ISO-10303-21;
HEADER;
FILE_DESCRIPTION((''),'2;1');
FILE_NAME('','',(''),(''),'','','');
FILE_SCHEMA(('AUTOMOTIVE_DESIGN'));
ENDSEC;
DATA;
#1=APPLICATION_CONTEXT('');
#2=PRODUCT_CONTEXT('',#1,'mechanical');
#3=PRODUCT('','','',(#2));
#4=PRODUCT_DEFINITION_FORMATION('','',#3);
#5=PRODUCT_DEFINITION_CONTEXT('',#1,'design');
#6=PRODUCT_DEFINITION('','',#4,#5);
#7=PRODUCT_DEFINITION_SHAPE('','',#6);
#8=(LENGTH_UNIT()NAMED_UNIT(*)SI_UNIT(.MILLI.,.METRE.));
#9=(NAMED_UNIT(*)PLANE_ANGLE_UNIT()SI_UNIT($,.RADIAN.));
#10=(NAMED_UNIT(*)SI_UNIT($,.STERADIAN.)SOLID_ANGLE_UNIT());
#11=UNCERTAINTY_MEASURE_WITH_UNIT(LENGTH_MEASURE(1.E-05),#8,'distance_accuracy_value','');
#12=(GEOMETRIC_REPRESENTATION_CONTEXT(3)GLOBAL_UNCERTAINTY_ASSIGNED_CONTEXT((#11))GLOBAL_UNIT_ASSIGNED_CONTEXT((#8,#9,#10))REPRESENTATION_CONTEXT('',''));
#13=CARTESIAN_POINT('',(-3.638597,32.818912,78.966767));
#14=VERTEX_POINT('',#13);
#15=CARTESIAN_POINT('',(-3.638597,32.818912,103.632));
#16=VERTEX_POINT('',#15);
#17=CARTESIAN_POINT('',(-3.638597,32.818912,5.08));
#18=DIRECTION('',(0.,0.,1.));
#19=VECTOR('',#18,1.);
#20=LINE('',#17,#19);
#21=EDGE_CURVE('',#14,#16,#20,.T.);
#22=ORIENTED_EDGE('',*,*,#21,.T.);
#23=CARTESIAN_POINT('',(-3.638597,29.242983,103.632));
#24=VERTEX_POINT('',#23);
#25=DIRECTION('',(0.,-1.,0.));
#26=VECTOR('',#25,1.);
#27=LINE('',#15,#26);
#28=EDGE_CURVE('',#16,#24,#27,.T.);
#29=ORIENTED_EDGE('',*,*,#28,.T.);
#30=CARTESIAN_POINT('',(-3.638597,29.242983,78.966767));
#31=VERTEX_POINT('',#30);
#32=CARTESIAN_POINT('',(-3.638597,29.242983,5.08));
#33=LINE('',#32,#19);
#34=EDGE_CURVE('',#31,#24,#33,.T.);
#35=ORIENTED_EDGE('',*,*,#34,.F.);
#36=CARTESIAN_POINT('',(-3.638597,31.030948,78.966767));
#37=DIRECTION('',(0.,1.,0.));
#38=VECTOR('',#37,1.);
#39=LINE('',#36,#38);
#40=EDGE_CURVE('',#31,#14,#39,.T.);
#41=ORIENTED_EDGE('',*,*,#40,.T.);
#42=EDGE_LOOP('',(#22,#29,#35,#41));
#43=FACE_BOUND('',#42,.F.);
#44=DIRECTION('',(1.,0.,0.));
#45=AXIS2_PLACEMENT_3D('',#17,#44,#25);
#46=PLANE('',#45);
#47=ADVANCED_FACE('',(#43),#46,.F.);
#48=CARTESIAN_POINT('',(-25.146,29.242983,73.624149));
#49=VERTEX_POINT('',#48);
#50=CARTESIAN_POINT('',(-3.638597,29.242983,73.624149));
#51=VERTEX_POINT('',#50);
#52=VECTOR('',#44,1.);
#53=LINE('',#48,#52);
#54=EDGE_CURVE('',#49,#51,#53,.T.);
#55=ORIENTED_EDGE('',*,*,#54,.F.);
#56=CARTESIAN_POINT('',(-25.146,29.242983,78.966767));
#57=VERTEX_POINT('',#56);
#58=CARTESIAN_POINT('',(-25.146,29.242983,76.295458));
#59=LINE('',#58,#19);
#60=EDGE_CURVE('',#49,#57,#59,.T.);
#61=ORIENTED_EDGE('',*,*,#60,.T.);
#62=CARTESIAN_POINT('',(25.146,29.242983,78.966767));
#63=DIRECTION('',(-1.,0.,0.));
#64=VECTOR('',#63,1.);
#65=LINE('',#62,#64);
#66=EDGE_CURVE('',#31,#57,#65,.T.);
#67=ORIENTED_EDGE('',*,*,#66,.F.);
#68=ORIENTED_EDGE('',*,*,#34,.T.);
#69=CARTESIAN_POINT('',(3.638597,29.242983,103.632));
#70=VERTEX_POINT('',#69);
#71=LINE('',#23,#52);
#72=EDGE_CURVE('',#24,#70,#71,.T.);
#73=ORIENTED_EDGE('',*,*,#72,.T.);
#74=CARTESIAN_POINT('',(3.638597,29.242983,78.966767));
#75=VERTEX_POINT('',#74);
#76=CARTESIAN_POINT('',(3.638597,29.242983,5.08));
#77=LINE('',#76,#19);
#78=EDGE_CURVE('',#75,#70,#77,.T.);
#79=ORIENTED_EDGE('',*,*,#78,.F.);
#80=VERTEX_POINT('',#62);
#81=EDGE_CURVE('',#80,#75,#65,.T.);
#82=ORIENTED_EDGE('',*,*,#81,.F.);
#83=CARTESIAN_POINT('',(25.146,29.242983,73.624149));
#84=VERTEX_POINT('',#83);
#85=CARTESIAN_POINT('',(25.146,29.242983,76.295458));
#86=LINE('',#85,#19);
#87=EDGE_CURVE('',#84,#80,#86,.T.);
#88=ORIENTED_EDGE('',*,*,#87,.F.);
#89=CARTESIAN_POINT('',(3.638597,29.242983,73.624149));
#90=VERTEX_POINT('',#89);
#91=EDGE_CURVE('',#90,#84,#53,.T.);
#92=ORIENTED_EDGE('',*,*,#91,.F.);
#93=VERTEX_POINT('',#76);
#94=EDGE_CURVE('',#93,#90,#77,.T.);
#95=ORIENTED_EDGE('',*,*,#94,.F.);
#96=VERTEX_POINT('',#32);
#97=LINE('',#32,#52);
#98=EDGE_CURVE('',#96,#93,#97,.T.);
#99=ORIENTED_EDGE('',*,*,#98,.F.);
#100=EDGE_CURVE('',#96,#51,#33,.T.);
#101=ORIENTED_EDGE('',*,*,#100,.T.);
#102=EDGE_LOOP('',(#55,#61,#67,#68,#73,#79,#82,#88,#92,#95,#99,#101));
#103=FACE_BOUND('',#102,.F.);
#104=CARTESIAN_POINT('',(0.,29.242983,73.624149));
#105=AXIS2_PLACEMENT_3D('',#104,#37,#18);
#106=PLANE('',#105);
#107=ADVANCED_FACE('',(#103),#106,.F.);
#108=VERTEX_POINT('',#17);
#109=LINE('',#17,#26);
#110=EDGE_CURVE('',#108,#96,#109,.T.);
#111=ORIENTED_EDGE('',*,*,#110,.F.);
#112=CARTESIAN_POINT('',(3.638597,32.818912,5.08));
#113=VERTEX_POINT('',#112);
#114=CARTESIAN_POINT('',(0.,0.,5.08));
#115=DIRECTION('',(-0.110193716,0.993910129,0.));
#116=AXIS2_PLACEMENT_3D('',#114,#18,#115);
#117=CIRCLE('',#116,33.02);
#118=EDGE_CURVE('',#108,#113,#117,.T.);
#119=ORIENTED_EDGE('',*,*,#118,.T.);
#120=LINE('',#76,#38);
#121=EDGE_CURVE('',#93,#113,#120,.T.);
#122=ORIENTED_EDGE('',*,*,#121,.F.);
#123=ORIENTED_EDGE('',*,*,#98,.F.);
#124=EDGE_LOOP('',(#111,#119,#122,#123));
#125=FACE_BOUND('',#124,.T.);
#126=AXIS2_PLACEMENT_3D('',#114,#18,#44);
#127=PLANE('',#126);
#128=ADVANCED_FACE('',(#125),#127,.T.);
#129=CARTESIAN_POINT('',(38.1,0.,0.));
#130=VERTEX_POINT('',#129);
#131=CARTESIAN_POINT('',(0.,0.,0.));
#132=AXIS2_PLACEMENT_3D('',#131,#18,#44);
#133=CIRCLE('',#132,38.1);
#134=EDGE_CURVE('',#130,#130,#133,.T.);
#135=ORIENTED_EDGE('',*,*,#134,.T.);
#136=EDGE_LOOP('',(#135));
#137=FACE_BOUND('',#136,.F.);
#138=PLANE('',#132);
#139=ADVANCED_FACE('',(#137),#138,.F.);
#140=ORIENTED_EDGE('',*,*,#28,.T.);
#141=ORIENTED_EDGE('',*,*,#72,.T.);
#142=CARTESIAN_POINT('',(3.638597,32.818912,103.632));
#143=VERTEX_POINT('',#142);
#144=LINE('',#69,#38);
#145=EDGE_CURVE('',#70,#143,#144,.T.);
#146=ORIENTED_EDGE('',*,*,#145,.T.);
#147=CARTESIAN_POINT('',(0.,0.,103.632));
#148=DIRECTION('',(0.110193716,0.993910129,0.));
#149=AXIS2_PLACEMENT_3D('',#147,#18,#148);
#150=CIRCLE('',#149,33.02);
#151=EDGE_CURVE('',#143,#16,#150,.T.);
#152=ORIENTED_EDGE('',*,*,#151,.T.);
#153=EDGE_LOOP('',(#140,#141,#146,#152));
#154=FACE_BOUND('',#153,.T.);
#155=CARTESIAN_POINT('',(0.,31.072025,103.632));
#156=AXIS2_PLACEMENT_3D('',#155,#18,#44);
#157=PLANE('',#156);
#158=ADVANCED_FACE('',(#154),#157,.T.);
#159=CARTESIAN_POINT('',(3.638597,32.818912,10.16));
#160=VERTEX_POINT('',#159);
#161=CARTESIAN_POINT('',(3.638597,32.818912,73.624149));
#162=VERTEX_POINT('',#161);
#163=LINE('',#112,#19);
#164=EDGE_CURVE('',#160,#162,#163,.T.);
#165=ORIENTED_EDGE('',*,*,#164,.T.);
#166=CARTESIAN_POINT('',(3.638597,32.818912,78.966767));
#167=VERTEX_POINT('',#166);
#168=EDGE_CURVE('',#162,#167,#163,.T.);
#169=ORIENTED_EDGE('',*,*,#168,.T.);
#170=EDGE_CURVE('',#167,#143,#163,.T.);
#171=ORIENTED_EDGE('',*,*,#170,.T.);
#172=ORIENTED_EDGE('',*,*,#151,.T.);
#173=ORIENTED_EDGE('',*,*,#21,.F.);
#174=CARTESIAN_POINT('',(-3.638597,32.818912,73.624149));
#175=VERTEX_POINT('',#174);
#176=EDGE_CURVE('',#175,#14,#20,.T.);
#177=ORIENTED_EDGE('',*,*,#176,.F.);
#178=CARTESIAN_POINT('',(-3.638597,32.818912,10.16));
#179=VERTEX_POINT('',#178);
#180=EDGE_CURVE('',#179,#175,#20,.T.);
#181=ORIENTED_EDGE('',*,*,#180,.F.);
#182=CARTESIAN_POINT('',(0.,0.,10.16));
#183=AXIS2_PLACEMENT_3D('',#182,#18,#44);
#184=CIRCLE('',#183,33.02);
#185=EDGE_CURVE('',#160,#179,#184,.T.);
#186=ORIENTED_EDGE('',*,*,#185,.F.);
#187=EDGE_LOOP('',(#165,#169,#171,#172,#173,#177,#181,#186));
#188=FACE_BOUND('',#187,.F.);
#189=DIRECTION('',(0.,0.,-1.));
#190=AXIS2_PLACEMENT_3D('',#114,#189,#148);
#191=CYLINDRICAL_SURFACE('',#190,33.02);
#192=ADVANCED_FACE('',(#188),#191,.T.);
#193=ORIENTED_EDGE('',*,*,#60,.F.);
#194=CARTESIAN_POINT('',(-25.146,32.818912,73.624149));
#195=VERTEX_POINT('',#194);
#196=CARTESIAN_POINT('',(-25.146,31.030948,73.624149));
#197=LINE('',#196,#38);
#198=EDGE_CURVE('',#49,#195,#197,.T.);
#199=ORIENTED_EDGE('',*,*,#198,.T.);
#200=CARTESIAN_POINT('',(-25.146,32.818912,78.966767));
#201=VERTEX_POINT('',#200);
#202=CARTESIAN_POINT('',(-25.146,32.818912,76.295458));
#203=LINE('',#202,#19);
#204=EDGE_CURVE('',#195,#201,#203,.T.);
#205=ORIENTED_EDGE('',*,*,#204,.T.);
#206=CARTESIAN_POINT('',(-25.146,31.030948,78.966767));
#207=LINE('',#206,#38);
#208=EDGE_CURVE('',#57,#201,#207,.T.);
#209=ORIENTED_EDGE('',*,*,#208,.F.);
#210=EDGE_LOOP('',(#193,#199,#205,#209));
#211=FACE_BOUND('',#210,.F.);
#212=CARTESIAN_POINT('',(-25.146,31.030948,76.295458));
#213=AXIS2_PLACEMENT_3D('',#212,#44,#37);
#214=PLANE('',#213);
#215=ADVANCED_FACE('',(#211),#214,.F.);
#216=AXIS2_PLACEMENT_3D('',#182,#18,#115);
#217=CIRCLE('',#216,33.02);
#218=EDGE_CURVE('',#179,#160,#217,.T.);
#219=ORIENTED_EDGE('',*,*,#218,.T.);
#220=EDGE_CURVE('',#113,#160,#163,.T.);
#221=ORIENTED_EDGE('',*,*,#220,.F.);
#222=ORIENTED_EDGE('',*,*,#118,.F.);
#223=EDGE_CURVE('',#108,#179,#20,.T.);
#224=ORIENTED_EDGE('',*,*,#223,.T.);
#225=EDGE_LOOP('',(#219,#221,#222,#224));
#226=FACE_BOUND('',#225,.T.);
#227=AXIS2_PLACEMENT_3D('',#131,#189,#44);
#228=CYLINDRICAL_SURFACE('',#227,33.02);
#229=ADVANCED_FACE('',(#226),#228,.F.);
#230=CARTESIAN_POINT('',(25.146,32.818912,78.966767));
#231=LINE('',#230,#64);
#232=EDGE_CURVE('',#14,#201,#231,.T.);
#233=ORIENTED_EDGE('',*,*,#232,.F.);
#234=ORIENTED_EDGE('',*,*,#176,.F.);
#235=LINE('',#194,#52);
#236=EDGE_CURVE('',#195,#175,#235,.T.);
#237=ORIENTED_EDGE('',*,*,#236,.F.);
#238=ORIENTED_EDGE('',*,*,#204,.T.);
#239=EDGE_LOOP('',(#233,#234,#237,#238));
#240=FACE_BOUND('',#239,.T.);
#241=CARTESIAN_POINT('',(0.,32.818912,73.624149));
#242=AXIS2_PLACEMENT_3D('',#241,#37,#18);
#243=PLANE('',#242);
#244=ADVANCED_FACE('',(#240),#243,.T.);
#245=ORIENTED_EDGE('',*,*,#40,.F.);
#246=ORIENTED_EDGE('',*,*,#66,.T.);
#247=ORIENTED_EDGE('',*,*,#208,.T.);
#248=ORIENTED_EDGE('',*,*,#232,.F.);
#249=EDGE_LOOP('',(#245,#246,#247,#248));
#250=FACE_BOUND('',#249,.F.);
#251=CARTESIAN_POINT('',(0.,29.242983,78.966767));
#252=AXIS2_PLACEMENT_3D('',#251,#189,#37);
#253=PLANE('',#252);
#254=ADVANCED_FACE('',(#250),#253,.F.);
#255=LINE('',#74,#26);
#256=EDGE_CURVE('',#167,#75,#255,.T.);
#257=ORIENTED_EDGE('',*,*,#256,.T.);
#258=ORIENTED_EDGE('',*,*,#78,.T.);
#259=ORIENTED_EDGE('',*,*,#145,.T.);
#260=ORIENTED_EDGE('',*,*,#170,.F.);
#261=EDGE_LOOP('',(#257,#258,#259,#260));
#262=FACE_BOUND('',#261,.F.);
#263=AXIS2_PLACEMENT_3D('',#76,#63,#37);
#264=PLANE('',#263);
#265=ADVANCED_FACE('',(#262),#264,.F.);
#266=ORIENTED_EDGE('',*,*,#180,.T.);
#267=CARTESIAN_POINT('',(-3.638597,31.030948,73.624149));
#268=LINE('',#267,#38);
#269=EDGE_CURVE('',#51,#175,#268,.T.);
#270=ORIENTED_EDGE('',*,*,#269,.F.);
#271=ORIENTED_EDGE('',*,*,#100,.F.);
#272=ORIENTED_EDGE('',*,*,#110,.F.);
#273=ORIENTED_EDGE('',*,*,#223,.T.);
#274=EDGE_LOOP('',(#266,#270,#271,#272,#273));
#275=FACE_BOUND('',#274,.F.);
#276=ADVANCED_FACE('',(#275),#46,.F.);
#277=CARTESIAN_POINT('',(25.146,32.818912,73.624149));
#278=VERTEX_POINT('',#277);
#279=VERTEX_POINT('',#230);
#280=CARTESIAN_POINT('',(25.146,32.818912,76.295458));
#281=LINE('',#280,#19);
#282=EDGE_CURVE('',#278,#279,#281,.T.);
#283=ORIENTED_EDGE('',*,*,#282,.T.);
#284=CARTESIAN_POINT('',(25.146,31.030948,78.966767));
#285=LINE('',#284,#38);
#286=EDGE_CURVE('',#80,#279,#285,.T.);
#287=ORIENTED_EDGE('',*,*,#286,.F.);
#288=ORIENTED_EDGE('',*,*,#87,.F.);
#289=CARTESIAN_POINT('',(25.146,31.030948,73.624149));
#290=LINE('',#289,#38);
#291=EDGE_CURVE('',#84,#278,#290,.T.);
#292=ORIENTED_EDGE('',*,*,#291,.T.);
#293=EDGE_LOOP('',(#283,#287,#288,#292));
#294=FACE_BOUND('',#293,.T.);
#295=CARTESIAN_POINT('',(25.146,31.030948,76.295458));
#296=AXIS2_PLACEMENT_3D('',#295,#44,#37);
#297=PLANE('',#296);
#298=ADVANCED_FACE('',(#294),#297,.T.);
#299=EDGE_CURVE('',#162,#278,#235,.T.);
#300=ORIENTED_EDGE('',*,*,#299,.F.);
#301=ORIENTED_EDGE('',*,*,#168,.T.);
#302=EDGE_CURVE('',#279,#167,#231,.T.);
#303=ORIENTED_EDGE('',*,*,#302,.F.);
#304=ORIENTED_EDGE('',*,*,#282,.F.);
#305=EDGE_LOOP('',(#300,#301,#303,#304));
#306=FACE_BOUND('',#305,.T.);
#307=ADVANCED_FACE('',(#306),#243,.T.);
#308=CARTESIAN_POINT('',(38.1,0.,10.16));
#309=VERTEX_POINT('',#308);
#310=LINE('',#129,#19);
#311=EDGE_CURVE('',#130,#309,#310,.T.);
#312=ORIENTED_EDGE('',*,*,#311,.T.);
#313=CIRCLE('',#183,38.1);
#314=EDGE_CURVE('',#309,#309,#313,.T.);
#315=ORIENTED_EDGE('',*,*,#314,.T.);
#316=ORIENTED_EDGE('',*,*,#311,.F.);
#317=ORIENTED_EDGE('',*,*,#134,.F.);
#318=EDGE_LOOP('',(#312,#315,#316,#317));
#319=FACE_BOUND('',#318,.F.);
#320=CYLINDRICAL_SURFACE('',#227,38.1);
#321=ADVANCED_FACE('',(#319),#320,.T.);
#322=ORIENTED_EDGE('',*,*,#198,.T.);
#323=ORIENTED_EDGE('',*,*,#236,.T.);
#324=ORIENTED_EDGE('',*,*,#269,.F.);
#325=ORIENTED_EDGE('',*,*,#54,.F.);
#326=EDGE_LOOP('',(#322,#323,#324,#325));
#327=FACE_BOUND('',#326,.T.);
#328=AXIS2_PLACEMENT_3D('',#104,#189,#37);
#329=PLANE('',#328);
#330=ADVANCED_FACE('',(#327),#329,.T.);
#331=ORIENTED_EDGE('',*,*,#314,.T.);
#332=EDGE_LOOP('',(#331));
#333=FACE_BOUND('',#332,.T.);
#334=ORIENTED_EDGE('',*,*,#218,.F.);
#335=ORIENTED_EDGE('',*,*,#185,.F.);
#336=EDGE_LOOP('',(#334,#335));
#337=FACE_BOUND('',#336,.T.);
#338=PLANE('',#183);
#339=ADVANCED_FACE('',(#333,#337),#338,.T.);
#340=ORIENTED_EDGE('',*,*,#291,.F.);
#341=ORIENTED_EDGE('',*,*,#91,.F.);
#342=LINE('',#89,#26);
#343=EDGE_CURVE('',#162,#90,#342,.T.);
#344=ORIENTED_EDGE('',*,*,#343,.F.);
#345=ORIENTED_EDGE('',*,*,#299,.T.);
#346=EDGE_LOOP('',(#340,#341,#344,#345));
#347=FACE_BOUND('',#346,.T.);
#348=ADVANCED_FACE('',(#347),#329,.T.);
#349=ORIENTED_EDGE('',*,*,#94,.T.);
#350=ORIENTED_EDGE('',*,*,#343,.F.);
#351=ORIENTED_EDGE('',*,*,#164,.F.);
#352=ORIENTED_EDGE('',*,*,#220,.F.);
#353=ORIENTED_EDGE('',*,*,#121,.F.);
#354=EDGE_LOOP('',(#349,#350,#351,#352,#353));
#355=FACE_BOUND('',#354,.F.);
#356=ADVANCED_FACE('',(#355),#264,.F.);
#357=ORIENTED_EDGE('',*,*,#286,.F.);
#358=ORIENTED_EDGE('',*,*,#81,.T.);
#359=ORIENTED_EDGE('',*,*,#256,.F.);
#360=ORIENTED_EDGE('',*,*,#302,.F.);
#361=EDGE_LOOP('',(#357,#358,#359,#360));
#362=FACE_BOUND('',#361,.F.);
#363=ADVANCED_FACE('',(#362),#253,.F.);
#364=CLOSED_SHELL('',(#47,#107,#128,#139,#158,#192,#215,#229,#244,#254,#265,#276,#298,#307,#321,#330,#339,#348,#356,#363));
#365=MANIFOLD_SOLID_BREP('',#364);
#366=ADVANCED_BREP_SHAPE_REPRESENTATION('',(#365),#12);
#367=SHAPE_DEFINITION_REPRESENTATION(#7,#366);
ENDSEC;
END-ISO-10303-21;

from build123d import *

# Parameters (mm, degrees)
F0_R     = 38.1
F1_DEPTH = 10.16
F2_T     = -5.08
F4_DEPTH = 98.552
F5_W     = 3.5759293783
F5_H     = 5.342617631
F6_DEPTH = 25.146


with BuildPart() as f1:
    # F0 (on Top) → F1 (new body)
    with BuildSketch(Plane.XY):
        Circle(F0_R)
    extrude(amount=F1_DEPTH)

    # F2
    f2_openings = [f1.faces().sort_by_distance(p)[0] for p in [
        (0, 0, 10.16),
    ]]
    offset(amount=F2_T, openings=f2_openings)

    # F3 (on face) → F4 (join)
    with BuildSketch(Plane.XY.offset(5.08)):
        with BuildLine():
            Line((-3.6385965068, 29.2429830879), (3.6385965068, 29.2429830879))
            Line((3.6385965068, 29.2429830879), (3.6385965068, 32.8189124661))
            ThreePointArc((3.6385965068, 32.8189124661), (0, 33.02), (-3.6385965068, 32.8189124661))
            Line((-3.6385965068, 32.8189124661), (-3.6385965068, 29.2429830879))
        make_face()
    extrude(amount=F4_DEPTH)

    # F5 (on Right) → F6 (join, symmetric)
    with BuildSketch(Plane.YZ):
        with Locations((31.030947777, 76.2954577804)):
            Rectangle(F5_W, F5_H)
    extrude(amount=F6_DEPTH, both=True)


solid = f1.part
